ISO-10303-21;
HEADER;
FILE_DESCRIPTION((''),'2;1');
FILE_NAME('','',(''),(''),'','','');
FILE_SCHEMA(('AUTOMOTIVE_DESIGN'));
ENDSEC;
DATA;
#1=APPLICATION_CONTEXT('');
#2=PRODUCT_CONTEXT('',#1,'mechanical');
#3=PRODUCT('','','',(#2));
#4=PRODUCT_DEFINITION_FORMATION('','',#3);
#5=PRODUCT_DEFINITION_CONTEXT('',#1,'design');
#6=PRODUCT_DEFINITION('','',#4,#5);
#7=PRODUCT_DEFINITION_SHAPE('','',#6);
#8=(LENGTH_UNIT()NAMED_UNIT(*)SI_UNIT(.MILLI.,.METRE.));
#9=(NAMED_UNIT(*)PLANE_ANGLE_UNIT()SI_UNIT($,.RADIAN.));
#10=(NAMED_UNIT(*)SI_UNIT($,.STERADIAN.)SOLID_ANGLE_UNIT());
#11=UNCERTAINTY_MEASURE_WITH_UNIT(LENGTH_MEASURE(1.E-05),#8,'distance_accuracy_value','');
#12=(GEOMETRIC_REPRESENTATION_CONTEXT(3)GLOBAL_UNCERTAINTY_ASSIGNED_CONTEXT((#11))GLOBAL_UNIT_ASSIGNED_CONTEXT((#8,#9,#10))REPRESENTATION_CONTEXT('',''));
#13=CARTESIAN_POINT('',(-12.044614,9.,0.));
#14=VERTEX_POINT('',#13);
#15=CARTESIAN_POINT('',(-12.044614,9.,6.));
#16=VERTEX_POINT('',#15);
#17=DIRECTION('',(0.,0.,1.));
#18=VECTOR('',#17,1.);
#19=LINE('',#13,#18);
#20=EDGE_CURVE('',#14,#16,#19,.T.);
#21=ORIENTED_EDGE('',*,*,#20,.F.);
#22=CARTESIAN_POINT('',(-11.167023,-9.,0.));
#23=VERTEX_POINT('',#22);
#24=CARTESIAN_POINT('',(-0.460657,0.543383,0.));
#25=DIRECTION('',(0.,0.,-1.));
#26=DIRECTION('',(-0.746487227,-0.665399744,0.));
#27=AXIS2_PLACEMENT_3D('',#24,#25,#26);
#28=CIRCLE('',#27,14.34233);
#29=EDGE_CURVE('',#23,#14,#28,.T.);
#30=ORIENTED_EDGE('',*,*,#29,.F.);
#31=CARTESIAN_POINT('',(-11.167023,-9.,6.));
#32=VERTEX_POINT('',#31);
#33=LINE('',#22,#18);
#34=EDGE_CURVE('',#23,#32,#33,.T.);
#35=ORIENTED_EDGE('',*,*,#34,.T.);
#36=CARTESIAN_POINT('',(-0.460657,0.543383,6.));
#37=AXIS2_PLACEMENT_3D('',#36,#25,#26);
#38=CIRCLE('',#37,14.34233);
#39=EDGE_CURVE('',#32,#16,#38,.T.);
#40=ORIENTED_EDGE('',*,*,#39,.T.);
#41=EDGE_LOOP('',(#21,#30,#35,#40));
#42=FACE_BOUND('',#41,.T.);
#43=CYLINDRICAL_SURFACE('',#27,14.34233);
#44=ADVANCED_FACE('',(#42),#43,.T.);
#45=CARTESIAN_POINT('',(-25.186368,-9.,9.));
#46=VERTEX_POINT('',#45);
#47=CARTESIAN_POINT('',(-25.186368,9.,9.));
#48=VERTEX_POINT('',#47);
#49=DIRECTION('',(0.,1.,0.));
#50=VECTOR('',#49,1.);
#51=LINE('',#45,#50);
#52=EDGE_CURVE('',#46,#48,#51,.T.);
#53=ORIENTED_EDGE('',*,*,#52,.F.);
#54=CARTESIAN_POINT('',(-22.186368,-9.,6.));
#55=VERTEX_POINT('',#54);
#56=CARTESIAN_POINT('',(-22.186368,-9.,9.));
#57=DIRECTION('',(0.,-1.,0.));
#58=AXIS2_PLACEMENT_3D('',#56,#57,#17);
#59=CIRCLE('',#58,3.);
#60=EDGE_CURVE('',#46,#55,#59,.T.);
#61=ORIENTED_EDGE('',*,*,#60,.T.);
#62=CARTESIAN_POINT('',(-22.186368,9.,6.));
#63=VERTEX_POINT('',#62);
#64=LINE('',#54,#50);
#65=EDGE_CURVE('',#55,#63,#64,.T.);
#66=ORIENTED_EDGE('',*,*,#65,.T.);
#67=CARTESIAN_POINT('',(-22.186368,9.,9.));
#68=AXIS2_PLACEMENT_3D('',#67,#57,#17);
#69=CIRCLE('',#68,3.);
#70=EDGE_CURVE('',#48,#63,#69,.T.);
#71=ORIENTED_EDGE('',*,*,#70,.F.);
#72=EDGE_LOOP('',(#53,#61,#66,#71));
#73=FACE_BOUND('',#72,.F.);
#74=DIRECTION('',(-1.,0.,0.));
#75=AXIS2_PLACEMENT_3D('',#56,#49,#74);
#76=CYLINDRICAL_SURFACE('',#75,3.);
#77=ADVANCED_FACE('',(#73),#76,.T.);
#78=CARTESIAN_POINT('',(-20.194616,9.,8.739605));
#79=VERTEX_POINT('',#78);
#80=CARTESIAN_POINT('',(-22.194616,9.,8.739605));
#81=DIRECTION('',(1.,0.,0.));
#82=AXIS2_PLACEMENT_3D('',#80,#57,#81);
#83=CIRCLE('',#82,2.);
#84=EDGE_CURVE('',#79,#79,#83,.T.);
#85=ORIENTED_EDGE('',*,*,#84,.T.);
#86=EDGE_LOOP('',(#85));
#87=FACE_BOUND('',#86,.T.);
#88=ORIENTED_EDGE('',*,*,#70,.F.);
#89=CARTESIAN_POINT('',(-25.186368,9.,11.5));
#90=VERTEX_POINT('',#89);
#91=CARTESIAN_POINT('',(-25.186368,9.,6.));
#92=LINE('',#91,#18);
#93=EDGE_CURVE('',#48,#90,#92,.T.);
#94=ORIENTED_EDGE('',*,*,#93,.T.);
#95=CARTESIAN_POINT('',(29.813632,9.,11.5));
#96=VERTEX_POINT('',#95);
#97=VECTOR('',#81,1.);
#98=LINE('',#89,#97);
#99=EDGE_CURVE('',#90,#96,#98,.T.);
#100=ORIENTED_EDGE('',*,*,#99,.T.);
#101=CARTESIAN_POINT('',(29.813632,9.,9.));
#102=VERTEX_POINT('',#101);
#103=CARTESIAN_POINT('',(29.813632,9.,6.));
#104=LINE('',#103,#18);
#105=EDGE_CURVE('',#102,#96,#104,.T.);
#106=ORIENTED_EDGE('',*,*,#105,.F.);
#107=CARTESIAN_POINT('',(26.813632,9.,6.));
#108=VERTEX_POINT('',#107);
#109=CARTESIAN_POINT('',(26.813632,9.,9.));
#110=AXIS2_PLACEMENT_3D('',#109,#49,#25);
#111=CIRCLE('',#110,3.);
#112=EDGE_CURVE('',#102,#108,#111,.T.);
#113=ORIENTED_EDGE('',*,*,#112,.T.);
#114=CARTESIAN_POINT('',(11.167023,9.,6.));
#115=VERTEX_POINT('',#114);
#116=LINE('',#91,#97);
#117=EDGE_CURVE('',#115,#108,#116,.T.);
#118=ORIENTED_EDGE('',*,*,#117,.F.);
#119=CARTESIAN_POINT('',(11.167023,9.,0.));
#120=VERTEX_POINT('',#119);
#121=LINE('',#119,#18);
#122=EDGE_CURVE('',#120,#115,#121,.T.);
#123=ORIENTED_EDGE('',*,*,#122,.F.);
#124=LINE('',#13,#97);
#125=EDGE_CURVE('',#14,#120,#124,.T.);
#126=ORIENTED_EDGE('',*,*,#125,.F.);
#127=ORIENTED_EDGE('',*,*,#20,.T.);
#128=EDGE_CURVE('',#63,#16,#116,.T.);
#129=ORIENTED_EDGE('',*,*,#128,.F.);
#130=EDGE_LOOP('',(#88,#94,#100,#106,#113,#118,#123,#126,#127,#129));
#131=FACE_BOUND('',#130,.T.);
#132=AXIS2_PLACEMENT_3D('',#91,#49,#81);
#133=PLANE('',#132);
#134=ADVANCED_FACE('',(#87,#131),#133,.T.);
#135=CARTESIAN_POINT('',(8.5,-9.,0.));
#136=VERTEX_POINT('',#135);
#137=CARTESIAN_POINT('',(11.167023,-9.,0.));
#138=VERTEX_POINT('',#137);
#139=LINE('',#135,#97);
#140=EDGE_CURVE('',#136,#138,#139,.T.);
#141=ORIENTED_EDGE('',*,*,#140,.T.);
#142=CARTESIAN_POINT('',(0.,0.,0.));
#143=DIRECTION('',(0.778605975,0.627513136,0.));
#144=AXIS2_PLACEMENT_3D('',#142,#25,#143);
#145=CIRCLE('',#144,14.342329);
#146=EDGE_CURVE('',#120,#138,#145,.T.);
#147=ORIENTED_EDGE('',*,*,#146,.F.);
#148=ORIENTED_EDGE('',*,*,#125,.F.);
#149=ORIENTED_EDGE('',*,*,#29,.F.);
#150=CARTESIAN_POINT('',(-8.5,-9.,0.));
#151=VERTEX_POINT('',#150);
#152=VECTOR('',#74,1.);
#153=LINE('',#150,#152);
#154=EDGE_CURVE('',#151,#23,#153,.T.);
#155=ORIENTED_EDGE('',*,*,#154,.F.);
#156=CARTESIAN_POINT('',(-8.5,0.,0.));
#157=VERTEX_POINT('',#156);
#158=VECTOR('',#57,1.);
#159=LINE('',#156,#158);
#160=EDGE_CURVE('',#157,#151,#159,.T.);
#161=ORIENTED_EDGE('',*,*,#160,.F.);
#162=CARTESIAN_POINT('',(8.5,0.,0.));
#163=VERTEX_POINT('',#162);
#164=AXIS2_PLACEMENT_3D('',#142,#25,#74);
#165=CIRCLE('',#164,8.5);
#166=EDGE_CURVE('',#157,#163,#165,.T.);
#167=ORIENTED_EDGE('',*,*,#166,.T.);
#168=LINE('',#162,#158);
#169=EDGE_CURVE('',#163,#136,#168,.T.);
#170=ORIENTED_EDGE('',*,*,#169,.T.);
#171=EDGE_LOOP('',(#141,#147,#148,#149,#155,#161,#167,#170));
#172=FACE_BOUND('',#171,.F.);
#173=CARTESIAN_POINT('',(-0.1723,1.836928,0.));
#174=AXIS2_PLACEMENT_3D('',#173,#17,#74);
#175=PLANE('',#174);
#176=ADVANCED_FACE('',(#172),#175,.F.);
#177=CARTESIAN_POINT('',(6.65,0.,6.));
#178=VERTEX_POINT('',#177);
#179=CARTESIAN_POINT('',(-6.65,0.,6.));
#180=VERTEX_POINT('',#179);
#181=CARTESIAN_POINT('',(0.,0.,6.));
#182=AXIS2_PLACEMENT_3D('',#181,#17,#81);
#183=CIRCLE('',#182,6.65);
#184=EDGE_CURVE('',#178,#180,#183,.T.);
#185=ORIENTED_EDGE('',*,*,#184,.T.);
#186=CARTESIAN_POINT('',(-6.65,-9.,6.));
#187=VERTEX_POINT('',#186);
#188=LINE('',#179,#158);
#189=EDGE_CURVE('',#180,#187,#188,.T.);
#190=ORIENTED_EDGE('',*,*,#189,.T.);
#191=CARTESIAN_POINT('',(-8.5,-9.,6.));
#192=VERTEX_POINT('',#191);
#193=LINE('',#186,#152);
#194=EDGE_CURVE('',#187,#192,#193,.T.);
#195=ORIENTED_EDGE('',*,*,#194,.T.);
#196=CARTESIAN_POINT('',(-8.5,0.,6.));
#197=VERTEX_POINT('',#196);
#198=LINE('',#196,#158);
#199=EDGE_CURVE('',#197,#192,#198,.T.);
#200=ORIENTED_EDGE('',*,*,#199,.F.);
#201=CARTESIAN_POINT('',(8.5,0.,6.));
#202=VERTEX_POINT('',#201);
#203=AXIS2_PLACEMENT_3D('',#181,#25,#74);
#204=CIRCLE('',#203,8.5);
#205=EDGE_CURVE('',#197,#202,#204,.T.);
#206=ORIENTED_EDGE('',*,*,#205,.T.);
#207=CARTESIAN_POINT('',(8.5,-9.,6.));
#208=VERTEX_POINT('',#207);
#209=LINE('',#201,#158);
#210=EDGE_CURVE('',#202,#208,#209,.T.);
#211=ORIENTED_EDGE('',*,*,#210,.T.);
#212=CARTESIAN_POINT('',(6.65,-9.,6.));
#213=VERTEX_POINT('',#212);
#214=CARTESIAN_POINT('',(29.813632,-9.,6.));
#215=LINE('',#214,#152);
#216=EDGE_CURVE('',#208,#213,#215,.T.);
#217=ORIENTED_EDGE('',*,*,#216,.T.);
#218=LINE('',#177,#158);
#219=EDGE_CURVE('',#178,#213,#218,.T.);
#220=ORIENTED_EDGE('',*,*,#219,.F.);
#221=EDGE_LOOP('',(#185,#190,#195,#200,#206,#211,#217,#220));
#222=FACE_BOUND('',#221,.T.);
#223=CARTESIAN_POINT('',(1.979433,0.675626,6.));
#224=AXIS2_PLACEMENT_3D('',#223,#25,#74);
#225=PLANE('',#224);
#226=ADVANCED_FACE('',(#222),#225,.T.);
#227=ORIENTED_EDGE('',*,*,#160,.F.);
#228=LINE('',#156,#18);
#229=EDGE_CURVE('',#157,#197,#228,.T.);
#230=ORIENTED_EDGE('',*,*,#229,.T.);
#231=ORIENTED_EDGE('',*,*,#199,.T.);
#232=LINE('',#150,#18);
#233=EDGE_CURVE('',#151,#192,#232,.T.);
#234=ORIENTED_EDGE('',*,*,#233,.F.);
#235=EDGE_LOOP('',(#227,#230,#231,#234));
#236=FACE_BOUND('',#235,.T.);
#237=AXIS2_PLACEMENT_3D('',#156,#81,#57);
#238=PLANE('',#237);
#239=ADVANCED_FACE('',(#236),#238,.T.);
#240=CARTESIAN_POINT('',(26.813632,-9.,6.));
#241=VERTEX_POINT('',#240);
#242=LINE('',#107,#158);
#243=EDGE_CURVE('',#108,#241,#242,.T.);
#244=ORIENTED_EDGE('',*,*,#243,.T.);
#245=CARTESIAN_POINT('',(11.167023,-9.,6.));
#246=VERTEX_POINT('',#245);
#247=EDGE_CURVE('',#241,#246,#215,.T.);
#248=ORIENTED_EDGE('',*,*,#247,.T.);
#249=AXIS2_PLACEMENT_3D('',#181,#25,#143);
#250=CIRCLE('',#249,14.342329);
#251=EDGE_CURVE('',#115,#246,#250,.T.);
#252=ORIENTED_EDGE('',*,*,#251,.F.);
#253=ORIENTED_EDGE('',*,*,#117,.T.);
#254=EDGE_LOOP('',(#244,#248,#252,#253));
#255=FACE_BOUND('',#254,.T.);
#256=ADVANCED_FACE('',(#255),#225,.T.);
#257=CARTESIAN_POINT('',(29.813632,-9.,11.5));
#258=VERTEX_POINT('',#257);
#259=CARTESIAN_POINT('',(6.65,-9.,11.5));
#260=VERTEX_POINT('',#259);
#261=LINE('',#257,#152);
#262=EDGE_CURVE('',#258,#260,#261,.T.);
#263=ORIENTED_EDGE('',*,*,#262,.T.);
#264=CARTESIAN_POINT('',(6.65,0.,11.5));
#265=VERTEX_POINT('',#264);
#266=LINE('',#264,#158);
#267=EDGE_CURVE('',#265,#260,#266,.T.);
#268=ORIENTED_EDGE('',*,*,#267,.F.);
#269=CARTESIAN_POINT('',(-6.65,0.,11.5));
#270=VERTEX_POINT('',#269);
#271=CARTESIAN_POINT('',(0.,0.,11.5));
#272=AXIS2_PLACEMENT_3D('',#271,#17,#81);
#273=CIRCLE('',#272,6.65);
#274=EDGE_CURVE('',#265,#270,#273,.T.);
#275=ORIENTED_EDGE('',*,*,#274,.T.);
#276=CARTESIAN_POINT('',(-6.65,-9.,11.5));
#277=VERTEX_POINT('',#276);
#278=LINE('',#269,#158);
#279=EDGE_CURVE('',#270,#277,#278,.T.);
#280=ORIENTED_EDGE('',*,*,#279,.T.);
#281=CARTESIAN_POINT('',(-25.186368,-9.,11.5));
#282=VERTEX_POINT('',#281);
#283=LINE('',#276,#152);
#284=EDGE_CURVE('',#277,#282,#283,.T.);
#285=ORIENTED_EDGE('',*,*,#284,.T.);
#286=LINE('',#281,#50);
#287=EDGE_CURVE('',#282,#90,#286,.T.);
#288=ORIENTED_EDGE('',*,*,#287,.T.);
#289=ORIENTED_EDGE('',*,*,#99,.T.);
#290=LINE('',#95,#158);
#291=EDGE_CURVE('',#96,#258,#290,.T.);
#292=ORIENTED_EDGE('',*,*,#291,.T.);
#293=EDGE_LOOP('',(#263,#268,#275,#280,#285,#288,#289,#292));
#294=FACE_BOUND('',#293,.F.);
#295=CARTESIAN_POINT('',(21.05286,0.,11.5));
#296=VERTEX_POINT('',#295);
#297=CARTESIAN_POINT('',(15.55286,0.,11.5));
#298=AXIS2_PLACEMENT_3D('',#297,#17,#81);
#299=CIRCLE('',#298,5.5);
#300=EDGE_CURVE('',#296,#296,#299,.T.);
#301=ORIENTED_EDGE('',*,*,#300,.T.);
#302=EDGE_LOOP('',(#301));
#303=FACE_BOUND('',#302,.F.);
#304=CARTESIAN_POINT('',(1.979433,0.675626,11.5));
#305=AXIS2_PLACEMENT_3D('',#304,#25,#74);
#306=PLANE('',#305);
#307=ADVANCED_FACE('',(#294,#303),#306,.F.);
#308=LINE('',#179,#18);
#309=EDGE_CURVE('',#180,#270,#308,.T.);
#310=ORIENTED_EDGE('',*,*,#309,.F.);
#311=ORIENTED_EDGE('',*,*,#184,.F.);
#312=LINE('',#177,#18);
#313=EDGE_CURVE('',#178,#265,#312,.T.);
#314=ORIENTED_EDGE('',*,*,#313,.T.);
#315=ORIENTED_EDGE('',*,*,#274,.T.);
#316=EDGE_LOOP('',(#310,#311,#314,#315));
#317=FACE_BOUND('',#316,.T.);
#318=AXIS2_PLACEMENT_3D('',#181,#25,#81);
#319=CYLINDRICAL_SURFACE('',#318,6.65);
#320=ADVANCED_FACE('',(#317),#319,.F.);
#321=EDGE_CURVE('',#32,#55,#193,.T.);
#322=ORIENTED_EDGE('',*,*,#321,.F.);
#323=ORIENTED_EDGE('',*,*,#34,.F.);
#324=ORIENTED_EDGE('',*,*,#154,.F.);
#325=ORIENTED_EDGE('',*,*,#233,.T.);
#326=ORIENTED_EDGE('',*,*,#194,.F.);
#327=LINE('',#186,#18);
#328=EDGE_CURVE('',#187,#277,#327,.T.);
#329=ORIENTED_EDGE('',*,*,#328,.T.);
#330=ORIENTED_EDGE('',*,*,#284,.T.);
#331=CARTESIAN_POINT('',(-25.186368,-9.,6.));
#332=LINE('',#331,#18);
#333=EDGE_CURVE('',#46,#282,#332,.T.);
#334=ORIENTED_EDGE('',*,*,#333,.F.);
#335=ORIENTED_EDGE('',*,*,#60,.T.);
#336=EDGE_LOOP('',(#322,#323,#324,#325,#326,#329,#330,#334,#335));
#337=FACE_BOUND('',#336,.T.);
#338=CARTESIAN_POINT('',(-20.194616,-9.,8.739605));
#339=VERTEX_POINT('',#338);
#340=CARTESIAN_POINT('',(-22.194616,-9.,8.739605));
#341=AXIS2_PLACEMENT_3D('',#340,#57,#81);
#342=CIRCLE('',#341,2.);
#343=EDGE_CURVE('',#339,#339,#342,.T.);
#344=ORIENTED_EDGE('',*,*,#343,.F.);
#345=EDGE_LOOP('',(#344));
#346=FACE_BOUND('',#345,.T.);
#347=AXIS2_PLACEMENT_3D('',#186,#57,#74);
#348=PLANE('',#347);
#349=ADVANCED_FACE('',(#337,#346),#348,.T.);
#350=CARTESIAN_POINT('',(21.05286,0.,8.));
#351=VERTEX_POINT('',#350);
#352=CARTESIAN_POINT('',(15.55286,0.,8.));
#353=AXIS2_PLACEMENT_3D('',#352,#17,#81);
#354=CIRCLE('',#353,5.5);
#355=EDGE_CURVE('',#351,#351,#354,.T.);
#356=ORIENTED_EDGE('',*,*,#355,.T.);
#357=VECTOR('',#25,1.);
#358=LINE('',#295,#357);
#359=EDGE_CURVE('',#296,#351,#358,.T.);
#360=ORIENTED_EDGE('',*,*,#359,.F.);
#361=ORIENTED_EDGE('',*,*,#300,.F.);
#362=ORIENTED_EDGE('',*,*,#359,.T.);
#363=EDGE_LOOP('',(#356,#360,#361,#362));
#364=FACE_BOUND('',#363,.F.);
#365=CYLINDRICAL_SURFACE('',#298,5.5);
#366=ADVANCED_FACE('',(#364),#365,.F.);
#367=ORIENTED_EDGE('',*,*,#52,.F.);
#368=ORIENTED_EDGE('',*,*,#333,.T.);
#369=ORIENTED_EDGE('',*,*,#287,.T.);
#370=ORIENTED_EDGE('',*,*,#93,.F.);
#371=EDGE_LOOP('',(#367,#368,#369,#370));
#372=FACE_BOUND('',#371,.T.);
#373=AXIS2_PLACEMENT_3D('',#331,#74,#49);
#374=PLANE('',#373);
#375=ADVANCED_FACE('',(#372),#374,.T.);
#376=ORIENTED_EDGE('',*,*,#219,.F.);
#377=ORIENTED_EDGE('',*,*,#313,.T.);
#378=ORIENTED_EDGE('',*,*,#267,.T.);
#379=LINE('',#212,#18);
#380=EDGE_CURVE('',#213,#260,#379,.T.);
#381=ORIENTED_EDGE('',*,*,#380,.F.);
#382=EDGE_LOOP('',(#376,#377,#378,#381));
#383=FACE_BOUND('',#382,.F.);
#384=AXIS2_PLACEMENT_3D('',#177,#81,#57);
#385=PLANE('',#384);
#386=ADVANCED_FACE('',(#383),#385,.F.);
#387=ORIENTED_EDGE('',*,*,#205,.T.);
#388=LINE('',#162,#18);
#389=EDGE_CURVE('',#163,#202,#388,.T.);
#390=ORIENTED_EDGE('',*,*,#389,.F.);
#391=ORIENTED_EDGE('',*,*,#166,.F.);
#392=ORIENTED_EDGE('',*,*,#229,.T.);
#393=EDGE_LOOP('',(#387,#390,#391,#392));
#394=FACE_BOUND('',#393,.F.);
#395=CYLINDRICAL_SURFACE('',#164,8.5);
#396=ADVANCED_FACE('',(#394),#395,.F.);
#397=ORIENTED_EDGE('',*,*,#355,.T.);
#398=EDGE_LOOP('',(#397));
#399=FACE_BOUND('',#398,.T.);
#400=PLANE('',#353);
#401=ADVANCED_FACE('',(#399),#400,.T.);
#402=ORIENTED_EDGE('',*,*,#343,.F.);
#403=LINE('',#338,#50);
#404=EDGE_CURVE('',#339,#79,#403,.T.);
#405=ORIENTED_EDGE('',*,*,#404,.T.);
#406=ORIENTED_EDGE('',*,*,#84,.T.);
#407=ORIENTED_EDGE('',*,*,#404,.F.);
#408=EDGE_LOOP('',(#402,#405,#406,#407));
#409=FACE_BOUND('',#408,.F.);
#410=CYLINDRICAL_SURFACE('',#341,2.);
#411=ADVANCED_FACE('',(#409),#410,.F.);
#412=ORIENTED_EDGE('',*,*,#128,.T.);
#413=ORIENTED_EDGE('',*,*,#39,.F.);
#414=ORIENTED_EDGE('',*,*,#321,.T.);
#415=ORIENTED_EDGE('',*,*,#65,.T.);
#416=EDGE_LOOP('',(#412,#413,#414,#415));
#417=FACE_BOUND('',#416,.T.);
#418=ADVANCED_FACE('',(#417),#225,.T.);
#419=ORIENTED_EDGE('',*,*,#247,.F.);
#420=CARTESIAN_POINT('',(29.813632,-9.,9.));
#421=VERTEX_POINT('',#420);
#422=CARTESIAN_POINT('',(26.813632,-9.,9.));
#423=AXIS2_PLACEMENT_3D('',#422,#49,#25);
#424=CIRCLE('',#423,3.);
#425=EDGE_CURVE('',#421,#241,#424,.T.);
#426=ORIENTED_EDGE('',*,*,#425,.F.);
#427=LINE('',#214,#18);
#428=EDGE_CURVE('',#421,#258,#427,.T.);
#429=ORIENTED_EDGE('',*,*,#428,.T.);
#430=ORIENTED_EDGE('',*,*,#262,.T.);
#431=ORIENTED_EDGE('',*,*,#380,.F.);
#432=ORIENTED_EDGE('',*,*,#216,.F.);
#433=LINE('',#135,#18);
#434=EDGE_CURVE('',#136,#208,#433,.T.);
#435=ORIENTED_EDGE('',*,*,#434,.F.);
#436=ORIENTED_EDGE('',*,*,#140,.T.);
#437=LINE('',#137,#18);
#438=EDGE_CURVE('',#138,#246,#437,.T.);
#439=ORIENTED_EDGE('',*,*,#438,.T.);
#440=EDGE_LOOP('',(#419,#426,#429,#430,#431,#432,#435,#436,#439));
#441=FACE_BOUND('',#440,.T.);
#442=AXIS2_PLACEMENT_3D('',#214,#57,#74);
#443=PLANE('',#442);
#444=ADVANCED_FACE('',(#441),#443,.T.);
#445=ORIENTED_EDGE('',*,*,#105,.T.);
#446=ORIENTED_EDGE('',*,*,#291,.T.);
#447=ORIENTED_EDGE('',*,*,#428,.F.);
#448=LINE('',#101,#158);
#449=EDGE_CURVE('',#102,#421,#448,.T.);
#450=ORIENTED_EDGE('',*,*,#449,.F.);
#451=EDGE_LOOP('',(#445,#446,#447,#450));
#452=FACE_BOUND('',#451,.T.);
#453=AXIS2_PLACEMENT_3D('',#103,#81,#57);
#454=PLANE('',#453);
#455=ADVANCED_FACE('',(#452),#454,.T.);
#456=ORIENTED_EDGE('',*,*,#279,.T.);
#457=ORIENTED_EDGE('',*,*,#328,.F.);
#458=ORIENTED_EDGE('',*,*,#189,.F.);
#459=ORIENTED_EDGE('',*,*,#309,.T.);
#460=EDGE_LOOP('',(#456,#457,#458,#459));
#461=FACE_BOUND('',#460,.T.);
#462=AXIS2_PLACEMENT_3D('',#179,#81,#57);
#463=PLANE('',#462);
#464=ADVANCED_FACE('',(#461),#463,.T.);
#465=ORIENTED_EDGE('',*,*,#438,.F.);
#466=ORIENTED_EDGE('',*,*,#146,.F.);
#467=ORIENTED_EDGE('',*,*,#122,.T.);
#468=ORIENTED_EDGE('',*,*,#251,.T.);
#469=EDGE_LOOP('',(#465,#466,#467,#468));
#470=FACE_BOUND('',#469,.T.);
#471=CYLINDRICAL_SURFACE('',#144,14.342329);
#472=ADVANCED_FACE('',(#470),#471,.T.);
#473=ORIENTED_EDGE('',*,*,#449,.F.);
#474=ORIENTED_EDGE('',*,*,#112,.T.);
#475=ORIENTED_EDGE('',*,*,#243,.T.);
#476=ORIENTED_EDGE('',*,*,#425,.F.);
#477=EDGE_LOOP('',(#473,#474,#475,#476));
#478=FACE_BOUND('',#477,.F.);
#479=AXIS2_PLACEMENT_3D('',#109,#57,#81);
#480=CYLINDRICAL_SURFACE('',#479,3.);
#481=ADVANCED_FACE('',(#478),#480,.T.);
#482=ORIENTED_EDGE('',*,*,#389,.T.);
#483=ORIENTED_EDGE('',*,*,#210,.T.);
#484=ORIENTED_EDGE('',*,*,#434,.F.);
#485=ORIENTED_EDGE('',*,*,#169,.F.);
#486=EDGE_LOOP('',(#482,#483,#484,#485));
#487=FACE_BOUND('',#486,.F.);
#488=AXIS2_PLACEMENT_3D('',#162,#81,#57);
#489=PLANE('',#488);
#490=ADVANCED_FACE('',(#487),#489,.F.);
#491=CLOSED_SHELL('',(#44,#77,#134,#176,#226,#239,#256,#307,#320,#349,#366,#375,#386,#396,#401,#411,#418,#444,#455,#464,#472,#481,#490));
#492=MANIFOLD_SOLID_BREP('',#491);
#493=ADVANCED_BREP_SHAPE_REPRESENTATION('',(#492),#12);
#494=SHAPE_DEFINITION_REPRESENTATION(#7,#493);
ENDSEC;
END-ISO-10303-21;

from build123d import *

# Parameters (mm, degrees)
PAD_DEPTH       = 5.5
SKETCH006_R     = 2
POCKET001_DEPTH = 50
SKETCH004_R     = 5.5
POCKET_DEPTH    = 3.5
PAD001_DEPTH    = 6
FILLET_R        = 3


with BuildPart() as pocket:
    # Sketch → Pad (new body)
    with BuildSketch(Plane.XY.offset(6)):
        with BuildLine():
            ThreePointArc((6.65, 0), (0, 6.65), (-6.65, 0))
            Line((-6.65, 0), (-6.65, -9))
            Line((-6.65, -9), (-25.186368, -9))
            Line((-25.186368, -9), (-25.186368, 9))
            Line((-25.186368, 9), (29.813632, 9))
            Line((29.813632, 9), (29.813632, -9))
            Line((29.813632, -9), (6.65, -9))
            Line((6.65, 0), (6.65, -9))
        make_face()
    extrude(amount=PAD_DEPTH)

    # Sketch006 → Pocket001 (cut)
    with BuildSketch(Plane(origin=(0, -9, 6), x_dir=(1, 0, 0), z_dir=(0, -1, 0))):
        with Locations((-22.194616, 2.739605)):
            Circle(SKETCH006_R)
    extrude(amount=-POCKET001_DEPTH, mode=Mode.SUBTRACT)

    # Sketch004 → Pocket (cut)
    with BuildSketch(Plane.XY.offset(11.5)):
        with Locations((15.55286, 0)):
            Circle(SKETCH004_R)
    extrude(amount=-POCKET_DEPTH, mode=Mode.SUBTRACT)


with BuildPart() as fillet_body:
    # Sketch005 → Pad001 (new body)
    with BuildSketch(Plane(origin=(0, 0, 0), x_dir=(1, 0, 0), z_dir=(0, 0, -1))):
        with BuildLine():
            ThreePointArc((-8.5, 0), (0, -8.5), (8.5, 0))
            Line((8.5, 0), (8.5, 9))
            Line((8.5, 9), (11.167023, 9))
            ThreePointArc((11.167023, -9), (14.342329, 0), (11.167023, 9))
            Line((-12.044614, -9), (11.167023, -9))
            ThreePointArc((-11.167023, 9), (-14.785971, 0.155049), (-12.044614, -9))
            Line((-8.5, 9), (-11.167023, 9))
            Line((-8.5, 0), (-8.5, 9))
        make_face()
    extrude(amount=-PAD001_DEPTH)

    # Fusion: union Pocket
    add(pocket.part)

    # Fillet
    fillet_edges = [fillet_body.edges().sort_by_distance(p)[0] for p in [
        (-25.186368, 0, 6),
        (29.813632, 0, 6),
    ]]
    fillet(fillet_edges, radius=FILLET_R)


solid = fillet_body.part
